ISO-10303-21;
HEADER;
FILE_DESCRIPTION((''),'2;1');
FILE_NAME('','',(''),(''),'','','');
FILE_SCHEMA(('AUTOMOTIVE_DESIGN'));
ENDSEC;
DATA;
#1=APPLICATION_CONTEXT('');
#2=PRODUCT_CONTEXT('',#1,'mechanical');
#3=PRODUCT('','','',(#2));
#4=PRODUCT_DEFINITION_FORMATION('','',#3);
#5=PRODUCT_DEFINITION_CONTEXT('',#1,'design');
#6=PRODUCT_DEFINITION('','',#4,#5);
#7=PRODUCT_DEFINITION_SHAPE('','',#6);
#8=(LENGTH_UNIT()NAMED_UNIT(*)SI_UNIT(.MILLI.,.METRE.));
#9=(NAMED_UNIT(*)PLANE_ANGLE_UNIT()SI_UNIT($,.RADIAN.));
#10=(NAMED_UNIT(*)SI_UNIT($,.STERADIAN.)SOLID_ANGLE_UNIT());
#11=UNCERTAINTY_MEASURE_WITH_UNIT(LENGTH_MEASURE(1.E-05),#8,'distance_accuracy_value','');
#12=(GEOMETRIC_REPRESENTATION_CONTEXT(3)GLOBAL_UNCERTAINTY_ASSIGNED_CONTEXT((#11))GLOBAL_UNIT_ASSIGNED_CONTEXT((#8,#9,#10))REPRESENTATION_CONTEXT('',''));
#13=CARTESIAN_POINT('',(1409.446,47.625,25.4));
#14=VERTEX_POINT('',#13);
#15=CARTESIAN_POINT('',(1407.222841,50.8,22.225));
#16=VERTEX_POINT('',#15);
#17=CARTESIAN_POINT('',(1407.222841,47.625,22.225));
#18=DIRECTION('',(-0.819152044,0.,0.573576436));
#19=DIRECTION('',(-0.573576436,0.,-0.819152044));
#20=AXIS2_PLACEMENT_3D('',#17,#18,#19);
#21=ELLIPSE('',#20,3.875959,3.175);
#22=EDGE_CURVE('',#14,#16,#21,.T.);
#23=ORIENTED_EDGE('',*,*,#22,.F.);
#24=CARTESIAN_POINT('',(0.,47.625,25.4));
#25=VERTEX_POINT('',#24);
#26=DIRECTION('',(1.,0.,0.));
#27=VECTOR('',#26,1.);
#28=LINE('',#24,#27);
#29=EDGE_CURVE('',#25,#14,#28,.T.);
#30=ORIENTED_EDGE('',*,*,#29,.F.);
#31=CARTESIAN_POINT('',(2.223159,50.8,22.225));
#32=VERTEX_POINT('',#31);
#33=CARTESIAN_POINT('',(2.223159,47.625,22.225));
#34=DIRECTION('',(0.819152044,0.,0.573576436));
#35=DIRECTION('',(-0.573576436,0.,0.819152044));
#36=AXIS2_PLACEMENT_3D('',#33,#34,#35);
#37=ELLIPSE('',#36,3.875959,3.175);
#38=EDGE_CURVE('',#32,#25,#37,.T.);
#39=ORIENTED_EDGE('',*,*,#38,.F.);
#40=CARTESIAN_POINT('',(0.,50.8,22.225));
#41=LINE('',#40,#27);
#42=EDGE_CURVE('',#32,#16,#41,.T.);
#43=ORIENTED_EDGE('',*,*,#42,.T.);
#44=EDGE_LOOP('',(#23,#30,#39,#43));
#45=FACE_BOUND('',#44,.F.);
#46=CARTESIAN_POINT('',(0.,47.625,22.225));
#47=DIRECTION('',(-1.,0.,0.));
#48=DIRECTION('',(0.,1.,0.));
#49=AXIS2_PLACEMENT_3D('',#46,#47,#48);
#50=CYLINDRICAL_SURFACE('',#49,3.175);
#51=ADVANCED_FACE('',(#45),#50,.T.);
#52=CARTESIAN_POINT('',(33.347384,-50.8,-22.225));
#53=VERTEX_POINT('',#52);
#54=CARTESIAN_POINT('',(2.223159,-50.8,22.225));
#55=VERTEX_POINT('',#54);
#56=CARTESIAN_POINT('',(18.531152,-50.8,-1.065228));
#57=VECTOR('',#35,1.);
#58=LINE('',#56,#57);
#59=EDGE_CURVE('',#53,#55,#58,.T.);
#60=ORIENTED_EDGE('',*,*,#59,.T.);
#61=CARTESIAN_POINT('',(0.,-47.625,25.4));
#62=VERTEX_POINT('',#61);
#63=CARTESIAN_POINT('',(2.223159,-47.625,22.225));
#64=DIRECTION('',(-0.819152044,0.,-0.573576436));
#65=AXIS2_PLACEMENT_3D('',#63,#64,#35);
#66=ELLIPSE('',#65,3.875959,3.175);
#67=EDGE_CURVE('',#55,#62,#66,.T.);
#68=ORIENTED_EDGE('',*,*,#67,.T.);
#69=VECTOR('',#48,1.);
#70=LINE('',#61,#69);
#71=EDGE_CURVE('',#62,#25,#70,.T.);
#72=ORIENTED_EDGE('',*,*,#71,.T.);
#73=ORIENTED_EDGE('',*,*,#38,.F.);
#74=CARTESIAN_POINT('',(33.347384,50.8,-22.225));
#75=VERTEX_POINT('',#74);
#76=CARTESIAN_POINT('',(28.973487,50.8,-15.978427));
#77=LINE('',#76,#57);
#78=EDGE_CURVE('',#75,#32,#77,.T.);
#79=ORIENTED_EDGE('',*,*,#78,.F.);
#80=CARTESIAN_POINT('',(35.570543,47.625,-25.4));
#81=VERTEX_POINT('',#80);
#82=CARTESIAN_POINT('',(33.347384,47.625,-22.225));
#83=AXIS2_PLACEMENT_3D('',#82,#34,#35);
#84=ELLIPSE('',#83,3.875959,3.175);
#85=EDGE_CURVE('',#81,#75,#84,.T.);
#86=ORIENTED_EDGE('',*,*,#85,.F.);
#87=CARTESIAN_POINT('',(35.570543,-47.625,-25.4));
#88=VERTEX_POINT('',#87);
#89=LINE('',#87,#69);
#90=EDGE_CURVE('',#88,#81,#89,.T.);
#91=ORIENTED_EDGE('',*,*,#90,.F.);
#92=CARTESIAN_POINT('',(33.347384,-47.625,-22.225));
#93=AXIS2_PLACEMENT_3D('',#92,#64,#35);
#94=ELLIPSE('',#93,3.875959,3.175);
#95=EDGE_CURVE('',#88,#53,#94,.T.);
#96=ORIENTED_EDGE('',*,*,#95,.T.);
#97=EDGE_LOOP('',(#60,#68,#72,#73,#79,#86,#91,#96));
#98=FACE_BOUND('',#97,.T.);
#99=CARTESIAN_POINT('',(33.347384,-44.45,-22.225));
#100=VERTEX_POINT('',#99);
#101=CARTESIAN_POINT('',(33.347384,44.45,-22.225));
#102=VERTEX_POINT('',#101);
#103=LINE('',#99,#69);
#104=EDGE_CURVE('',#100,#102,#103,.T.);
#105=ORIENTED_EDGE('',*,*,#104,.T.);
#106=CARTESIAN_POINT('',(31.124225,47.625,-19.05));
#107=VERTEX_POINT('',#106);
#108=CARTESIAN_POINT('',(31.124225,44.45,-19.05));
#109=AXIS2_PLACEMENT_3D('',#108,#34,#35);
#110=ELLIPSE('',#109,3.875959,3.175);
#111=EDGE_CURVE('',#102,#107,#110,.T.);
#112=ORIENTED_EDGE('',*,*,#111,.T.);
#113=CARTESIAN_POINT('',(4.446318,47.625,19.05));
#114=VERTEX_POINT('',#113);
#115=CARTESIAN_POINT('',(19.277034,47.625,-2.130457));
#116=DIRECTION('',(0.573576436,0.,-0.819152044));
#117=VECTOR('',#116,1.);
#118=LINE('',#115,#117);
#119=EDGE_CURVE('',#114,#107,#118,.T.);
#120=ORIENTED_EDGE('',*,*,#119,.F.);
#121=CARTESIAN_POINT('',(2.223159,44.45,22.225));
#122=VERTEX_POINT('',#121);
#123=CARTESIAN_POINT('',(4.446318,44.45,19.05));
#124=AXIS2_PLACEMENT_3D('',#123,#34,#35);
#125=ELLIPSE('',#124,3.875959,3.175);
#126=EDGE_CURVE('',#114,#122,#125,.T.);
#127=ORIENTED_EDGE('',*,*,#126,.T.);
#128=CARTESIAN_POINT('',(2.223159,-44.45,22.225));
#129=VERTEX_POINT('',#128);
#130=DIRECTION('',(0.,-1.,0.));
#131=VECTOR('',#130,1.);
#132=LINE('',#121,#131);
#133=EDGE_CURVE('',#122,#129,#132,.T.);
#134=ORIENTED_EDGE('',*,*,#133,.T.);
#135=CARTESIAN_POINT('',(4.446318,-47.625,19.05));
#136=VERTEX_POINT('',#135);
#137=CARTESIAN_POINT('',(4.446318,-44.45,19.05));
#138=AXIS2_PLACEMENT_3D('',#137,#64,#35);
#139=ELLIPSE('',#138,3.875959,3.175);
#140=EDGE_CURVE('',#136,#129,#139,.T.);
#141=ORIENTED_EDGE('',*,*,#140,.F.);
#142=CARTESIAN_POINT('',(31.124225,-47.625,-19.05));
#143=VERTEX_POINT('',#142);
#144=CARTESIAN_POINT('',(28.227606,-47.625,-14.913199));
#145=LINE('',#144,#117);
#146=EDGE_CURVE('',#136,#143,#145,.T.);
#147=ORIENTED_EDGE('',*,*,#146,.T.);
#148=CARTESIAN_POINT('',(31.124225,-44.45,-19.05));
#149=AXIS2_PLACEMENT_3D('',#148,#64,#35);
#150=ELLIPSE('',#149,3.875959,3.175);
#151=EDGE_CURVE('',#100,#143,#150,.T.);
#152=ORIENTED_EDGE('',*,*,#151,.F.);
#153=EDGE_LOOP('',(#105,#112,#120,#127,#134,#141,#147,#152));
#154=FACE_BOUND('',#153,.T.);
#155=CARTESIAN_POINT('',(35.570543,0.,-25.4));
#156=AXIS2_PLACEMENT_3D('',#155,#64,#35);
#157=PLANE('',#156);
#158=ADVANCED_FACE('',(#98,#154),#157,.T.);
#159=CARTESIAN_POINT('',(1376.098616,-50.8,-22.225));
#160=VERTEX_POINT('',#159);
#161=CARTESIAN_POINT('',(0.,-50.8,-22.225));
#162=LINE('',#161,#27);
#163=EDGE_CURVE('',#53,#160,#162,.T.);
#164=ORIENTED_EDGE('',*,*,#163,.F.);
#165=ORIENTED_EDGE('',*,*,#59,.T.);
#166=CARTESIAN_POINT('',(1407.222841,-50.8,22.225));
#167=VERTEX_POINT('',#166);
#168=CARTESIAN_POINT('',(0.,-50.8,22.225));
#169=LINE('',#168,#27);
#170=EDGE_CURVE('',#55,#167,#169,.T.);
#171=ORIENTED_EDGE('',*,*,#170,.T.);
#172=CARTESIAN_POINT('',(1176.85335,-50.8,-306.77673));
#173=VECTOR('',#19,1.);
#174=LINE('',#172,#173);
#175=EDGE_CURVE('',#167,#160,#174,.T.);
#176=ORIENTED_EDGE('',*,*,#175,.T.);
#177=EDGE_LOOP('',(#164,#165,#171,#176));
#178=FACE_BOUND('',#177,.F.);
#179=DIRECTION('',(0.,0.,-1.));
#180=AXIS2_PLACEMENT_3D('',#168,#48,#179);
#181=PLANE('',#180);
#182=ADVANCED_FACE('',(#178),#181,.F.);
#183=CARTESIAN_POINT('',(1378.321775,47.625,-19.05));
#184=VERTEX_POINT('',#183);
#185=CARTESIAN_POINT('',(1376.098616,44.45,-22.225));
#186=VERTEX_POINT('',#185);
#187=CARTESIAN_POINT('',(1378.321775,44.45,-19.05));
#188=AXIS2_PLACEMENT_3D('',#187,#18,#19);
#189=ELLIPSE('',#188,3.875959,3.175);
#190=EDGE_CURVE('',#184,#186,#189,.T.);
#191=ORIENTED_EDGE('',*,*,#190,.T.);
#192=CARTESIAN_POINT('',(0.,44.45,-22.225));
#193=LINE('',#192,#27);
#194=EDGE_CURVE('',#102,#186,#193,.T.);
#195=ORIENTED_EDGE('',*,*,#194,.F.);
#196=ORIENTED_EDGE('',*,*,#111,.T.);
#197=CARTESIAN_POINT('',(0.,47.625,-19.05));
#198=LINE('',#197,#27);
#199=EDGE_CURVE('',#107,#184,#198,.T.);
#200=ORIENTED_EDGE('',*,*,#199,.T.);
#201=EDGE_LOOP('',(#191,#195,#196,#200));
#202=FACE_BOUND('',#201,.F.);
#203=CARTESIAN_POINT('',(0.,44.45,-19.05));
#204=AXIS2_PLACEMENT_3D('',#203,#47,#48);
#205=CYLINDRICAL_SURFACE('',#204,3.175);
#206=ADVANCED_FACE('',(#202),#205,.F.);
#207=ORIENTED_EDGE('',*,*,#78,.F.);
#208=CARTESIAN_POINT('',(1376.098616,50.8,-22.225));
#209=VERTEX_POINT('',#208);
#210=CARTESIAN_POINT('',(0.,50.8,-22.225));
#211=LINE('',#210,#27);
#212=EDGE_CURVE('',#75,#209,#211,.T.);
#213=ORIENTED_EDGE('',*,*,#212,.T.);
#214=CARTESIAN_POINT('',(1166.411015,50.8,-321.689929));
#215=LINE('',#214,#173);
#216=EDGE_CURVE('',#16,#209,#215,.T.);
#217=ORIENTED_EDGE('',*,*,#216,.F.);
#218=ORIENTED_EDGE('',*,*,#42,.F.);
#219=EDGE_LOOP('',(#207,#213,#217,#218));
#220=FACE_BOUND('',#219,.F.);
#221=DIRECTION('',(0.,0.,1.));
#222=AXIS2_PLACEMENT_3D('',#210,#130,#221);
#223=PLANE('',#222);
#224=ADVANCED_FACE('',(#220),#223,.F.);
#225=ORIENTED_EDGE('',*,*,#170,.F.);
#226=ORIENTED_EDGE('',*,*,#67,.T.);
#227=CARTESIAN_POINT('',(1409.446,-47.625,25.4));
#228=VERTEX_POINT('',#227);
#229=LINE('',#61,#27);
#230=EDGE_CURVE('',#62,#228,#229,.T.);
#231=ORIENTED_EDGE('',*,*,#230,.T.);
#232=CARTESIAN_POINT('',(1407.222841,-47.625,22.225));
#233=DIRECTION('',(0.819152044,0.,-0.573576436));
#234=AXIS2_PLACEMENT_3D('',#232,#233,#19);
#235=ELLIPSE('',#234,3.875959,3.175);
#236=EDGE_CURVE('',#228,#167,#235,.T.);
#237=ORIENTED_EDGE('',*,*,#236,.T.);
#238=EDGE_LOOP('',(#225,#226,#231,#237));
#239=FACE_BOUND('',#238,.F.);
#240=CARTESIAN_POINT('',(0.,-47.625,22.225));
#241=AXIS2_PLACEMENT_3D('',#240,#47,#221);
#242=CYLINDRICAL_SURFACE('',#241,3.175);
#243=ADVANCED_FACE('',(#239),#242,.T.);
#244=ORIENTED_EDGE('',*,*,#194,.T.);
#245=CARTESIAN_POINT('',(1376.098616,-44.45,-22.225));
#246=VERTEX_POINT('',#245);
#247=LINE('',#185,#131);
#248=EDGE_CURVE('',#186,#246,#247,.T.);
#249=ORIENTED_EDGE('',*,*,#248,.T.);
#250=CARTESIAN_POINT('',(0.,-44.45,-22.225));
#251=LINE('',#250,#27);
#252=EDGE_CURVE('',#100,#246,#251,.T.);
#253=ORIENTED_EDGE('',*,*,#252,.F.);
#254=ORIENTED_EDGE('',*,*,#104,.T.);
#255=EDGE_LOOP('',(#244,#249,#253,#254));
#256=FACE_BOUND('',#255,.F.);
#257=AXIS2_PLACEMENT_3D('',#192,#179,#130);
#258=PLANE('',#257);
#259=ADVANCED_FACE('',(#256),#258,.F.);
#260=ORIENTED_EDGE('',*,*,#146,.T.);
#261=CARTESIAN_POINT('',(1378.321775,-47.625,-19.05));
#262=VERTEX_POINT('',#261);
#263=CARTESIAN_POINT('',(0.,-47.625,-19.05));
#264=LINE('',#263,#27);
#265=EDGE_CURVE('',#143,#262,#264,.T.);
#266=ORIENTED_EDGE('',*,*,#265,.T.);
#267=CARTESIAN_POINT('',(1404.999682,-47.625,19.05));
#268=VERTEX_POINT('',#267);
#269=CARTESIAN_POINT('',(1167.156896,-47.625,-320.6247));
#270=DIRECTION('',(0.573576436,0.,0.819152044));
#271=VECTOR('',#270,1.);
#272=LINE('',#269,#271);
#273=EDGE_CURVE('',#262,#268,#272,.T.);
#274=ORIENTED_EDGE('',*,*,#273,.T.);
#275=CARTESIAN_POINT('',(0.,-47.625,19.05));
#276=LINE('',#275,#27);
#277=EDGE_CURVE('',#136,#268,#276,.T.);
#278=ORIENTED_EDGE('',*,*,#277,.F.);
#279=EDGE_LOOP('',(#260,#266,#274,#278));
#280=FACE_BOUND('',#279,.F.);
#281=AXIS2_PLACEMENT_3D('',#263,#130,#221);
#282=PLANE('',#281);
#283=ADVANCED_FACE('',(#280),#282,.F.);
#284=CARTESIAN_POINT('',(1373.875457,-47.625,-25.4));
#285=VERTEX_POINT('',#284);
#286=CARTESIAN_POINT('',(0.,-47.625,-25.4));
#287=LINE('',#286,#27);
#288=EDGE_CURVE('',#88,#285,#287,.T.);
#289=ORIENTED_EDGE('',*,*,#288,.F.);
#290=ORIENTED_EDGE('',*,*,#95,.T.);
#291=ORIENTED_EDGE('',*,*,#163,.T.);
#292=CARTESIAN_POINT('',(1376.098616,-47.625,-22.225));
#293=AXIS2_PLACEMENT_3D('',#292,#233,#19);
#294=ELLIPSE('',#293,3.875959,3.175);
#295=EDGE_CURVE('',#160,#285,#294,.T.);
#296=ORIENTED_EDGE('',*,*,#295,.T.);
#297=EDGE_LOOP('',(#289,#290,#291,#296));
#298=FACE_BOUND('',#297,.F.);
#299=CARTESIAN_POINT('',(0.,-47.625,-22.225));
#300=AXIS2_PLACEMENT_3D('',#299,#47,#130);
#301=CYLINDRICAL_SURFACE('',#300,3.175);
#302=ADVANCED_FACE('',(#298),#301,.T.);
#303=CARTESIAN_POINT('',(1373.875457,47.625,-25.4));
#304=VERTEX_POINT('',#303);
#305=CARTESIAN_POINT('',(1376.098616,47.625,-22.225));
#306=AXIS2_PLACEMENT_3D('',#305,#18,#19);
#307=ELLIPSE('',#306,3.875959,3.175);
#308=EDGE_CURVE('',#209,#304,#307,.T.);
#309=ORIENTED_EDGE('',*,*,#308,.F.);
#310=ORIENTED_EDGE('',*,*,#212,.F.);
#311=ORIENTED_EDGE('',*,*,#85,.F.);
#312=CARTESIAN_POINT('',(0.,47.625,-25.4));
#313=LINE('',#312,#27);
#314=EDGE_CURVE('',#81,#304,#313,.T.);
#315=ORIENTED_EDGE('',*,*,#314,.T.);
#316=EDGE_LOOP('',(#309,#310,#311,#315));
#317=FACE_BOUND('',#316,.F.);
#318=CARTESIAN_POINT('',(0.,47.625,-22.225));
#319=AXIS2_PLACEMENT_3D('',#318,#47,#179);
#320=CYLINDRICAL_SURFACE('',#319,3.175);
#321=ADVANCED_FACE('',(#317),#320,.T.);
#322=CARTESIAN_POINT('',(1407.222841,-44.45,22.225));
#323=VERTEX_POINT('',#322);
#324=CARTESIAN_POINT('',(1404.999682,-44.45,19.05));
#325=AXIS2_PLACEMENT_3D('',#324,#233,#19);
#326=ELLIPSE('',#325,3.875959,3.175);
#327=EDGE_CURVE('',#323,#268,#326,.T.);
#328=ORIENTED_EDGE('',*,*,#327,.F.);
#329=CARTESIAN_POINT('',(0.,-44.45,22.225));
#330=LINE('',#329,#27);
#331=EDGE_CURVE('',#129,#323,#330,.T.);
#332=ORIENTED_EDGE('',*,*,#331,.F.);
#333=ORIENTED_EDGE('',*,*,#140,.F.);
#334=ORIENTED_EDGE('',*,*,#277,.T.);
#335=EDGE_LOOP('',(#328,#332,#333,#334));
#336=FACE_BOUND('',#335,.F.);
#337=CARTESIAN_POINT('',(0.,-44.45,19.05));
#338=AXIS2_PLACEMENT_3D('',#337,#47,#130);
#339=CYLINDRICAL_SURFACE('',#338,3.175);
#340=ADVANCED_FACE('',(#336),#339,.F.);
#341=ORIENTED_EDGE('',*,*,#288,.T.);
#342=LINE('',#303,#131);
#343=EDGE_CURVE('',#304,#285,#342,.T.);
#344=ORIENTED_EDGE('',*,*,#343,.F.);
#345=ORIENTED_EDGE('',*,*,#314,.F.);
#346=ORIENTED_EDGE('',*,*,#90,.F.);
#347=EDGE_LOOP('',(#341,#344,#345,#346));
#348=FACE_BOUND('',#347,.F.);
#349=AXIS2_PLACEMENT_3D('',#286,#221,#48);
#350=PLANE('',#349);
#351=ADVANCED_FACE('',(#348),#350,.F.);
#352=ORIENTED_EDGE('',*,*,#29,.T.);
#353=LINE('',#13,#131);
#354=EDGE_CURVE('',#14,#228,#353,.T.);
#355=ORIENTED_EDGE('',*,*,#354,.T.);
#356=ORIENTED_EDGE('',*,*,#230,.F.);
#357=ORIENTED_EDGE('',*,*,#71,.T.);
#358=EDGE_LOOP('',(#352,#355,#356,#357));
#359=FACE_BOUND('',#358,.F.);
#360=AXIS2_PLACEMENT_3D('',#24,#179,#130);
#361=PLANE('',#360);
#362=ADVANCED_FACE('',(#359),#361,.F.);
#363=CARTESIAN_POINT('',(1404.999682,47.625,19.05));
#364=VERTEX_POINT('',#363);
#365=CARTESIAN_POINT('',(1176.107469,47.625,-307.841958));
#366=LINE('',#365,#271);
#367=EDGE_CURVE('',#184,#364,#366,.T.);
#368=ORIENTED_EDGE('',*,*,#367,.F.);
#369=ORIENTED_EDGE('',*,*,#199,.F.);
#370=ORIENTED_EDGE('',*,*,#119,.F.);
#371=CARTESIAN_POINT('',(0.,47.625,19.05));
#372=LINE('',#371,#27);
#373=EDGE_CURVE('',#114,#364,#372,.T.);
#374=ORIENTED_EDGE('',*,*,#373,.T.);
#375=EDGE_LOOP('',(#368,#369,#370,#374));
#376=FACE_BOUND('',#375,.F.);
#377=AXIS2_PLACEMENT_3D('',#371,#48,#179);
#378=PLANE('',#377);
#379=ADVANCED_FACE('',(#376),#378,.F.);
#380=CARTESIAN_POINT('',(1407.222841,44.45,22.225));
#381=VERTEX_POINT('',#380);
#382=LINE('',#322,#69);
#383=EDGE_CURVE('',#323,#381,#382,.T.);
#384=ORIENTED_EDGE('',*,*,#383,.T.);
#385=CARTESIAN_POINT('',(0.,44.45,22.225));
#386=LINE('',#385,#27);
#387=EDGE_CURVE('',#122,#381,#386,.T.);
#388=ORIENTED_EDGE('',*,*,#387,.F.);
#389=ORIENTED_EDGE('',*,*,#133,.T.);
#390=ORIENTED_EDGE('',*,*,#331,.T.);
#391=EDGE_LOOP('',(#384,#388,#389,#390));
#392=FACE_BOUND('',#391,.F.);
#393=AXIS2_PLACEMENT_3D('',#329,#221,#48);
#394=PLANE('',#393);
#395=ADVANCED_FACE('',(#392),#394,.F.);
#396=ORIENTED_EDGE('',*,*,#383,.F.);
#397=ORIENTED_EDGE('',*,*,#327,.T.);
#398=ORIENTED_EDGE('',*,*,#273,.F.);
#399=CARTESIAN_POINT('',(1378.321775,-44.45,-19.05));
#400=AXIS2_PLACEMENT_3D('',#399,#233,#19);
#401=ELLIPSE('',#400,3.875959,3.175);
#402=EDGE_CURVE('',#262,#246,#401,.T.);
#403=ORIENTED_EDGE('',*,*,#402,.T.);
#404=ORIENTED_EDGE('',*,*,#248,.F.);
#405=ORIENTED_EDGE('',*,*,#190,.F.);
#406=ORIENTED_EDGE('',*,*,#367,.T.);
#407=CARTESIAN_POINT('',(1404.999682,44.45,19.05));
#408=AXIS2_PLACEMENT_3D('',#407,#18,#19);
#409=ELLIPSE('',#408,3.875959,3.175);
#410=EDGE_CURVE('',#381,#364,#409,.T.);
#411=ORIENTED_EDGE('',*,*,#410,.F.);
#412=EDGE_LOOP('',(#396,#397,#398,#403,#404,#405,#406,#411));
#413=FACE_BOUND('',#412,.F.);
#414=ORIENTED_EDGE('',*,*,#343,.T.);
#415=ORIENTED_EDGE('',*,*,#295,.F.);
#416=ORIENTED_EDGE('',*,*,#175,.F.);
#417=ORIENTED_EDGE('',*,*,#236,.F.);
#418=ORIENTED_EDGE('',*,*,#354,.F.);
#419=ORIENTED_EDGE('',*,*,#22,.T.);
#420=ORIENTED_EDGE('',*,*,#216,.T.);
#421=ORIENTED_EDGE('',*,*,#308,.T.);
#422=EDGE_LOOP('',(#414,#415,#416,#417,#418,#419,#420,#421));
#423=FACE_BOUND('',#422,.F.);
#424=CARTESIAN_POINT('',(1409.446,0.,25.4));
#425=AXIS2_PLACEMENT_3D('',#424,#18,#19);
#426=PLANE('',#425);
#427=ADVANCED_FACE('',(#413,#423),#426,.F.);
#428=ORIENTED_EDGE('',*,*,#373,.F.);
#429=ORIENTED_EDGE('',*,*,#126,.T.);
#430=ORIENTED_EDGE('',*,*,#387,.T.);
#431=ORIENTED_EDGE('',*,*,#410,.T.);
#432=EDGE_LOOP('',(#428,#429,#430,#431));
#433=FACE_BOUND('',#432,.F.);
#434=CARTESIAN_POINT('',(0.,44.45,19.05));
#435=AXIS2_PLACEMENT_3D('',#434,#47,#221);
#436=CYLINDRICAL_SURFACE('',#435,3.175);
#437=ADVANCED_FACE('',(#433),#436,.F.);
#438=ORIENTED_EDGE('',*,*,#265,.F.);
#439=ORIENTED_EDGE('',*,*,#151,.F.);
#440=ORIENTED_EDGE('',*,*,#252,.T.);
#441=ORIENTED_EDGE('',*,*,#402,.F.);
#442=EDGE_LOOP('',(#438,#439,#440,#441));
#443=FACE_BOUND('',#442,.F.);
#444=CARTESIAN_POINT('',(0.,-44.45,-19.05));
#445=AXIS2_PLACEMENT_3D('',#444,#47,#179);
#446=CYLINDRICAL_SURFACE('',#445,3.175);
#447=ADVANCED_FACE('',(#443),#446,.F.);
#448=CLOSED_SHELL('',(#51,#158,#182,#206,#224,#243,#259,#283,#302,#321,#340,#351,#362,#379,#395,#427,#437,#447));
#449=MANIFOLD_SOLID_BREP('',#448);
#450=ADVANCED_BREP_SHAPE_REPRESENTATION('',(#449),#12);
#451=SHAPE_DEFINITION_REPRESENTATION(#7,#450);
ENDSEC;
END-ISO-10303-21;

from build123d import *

# Parameters (mm, degrees)
F1_DEPTH      = 1409.446
F3_DEPTH      = 50.801
F3_DEPTH_BACK = 50.801


with BuildPart() as f1:
    # F0 (on Right) → F1 (new body)
    with BuildSketch(Plane.YZ):
        with BuildLine():
            Line((-47.625, -25.4), (47.625, -25.4))
            ThreePointArc((47.625, -25.4), (49.8700640303, -24.4700640303), (50.8, -22.225))
            Line((50.8, -22.225), (50.8, 22.225))
            ThreePointArc((50.8, 22.225), (49.8700640303, 24.4700640303), (47.625, 25.4))
            Line((47.625, 25.4), (-47.625, 25.4))
            ThreePointArc((-47.625, 25.4), (-49.8700640303, 24.4700640303), (-50.8, 22.225))
            Line((-50.8, 22.225), (-50.8, -22.225))
            ThreePointArc((-50.8, -22.225), (-49.8700640303, -24.4700640303), (-47.625, -25.4))
        make_face()
        with BuildLine():
            Line((-44.45, 22.225), (44.45, 22.225))
            ThreePointArc((44.45, 22.225), (46.6950640303, 21.2950640303), (47.625, 19.05))
            Line((47.625, 19.05), (47.625, -19.05))
            ThreePointArc((47.625, -19.05), (46.6950640303, -21.2950640303), (44.45, -22.225))
            Line((44.45, -22.225), (-44.45, -22.225))
            ThreePointArc((-44.45, -22.225), (-46.6950640303, -21.2950640303), (-47.625, -19.05))
            Line((-47.625, -19.05), (-47.625, 19.05))
            ThreePointArc((-47.625, 19.05), (-46.6950640303, 21.2950640303), (-44.45, 22.225))
        make_face(mode=Mode.SUBTRACT)
    extrude(amount=F1_DEPTH)

    # F2 (on Front) → F3 (cut, two sides)
    with BuildSketch(Plane.XZ) as f3_sk:
        Polygon((0, 25.4), (0, -25.4), (35.5705429411, -25.4), align=None)
        Polygon((1409.446, 25.4), (1373.8754570589, -25.4), (1409.446, -25.4), align=None)
    extrude(amount=-F3_DEPTH, mode=Mode.SUBTRACT)
    extrude(f3_sk.sketch, amount=F3_DEPTH_BACK, mode=Mode.SUBTRACT)


solid = f1.part
